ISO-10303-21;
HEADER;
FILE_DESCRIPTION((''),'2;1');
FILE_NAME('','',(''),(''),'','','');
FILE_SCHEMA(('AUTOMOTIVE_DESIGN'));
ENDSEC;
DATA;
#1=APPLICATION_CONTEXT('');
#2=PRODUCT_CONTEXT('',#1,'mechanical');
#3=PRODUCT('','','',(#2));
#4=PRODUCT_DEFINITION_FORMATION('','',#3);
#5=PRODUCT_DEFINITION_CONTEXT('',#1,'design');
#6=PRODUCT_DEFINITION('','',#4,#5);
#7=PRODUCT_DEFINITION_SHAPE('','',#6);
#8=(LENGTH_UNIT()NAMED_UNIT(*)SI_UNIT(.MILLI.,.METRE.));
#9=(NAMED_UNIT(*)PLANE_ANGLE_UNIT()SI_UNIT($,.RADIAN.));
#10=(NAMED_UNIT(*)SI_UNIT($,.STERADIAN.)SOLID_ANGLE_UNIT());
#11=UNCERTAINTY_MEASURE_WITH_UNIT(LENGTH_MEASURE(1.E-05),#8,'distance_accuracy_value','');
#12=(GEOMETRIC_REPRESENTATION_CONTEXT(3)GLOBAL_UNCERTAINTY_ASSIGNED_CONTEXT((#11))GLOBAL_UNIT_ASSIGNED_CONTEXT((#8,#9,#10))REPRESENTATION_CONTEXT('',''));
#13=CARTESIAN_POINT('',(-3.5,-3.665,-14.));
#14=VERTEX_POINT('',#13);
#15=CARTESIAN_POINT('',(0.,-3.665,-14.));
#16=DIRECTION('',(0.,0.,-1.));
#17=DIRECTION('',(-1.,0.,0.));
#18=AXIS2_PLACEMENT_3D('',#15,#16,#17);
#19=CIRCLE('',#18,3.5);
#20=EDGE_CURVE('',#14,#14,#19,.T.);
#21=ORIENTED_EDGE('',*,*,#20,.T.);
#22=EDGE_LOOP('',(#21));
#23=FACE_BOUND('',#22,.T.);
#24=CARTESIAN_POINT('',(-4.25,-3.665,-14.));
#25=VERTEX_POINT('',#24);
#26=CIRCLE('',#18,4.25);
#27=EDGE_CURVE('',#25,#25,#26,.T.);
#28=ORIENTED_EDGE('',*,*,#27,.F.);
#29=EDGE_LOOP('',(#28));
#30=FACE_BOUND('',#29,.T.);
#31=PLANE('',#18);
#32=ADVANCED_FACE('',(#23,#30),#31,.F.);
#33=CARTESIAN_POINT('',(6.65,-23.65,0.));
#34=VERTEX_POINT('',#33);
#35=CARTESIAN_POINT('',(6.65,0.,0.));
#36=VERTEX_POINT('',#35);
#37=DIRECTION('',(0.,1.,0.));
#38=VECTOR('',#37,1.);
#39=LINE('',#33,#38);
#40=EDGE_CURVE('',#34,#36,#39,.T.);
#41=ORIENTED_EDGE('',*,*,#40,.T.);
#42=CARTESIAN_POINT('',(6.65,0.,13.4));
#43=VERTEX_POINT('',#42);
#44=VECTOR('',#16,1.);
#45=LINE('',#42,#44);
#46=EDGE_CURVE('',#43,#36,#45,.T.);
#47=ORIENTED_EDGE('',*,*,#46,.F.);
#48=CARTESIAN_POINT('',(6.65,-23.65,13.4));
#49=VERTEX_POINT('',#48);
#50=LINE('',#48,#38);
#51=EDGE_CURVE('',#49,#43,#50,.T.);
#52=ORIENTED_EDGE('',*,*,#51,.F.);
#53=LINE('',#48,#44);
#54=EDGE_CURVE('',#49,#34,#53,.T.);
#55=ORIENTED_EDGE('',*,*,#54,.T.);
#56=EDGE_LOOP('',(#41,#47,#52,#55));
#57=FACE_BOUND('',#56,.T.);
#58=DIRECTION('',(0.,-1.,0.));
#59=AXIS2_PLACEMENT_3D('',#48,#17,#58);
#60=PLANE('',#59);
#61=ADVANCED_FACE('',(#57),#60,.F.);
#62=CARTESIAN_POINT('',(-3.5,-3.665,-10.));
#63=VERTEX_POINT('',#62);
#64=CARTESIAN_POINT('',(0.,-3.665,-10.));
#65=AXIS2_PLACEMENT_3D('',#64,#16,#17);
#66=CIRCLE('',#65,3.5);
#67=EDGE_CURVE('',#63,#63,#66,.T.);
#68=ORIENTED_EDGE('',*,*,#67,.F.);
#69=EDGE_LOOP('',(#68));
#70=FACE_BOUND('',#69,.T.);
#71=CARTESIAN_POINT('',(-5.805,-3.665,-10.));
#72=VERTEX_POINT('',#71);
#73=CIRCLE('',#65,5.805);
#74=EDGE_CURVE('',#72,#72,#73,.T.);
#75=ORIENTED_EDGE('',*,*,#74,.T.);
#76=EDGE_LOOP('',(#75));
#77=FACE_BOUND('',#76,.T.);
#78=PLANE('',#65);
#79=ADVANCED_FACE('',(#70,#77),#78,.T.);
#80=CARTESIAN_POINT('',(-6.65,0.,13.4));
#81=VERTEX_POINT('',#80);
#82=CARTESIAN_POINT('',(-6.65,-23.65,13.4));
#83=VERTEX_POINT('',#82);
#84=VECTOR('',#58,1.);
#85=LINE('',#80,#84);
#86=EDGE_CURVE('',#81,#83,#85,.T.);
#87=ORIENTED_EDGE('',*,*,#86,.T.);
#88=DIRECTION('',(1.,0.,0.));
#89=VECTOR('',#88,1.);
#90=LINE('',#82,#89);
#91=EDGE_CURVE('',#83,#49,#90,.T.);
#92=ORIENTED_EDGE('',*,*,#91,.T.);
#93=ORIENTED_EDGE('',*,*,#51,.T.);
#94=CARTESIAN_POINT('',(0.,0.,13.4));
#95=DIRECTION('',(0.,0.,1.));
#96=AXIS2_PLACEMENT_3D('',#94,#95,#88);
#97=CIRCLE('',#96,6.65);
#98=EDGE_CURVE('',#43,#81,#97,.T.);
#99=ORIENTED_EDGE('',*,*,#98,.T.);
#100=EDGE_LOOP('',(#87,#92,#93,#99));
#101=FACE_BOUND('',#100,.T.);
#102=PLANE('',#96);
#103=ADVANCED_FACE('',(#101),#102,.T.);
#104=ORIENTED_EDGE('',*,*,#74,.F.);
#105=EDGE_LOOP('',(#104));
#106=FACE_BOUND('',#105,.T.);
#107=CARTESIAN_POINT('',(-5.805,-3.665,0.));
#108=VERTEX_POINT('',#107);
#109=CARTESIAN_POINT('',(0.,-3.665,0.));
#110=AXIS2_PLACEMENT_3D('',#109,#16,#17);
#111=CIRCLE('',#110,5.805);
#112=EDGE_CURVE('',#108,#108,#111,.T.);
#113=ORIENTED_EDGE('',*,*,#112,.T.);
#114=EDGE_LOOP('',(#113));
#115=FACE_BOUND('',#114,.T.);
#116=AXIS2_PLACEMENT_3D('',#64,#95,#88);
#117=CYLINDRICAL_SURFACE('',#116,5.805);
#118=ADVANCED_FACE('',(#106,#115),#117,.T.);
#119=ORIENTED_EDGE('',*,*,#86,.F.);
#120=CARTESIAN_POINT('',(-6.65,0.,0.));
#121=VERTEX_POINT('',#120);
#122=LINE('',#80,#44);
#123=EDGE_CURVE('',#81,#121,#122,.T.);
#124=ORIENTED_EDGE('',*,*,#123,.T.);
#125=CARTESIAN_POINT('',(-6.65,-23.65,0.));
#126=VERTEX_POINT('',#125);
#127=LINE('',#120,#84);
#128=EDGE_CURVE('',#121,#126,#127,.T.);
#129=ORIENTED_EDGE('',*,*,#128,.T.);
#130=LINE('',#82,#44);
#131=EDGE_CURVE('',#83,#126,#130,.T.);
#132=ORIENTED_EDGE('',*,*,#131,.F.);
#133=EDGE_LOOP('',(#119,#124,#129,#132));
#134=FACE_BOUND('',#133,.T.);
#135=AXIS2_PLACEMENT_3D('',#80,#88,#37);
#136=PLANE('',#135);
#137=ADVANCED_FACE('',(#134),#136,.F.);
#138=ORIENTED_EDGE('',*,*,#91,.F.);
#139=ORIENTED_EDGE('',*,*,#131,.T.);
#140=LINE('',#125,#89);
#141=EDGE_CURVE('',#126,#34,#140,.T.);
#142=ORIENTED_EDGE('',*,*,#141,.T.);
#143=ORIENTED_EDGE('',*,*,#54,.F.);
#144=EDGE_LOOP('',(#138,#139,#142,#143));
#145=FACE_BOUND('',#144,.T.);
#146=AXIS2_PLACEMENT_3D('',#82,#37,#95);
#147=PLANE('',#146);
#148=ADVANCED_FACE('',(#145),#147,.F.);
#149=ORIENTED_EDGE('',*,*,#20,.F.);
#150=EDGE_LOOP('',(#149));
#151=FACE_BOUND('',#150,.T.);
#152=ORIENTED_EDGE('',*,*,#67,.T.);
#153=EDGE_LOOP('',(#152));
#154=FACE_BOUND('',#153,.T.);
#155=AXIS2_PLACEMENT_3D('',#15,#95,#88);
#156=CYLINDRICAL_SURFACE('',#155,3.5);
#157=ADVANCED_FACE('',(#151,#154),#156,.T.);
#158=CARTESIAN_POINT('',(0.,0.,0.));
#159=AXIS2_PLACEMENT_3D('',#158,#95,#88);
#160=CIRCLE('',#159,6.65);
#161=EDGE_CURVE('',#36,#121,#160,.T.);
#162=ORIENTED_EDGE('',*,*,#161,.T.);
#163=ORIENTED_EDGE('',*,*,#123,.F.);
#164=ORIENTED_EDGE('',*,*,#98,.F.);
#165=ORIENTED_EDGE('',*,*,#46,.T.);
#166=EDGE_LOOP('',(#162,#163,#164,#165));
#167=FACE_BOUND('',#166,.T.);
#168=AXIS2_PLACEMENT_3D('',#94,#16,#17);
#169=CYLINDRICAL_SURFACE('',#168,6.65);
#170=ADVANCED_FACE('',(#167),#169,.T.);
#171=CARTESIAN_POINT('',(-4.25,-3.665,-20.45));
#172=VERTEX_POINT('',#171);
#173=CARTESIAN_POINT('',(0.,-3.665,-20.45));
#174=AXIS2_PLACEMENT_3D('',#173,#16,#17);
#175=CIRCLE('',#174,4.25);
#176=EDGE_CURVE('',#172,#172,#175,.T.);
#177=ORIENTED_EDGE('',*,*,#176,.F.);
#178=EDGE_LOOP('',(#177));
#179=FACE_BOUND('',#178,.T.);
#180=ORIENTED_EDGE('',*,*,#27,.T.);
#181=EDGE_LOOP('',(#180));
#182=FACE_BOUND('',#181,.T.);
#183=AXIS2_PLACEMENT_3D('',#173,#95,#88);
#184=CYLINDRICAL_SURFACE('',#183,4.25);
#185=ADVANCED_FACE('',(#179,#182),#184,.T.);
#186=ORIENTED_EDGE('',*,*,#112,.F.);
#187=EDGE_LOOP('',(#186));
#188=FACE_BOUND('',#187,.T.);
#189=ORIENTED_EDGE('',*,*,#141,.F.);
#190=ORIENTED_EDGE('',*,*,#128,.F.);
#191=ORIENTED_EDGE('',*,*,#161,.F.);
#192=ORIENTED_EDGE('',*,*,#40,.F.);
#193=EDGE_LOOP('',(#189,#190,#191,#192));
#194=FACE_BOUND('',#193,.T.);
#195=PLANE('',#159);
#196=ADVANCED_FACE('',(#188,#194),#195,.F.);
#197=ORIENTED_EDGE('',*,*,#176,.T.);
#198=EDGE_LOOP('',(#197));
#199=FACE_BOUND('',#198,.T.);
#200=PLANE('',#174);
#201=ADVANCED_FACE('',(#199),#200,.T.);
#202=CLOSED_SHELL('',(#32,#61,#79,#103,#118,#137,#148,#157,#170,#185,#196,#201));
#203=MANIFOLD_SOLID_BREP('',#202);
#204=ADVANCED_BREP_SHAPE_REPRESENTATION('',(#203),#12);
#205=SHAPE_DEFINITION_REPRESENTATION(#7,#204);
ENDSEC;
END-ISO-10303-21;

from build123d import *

# Parameters (mm, degrees)
BOSS_EXTRU_1_DEPTH = 13.4
ESQUISSE2_R        = 5.805
BOSS_EXTRU_2_DEPTH = 10
ESQUISSE3_R        = 3.5
BOSS_EXTRU_3_DEPTH = 4
ESQUISSE4_R        = 4.25
BOSS_EXTRU_4_DEPTH = 6.45


with BuildPart() as part:
    # Esquisse1 → Boss.-Extru.1 (new body)
    with BuildSketch(Plane.XY):
        with BuildLine():
            Line((-6.65, 0), (-6.65, -23.65))
            Line((-6.65, -23.65), (6.65, -23.65))
            Line((6.65, -23.65), (6.65, 0))
            ThreePointArc((6.65, 0), (0, 6.65), (-6.65, 0))
        make_face()
    extrude(amount=BOSS_EXTRU_1_DEPTH)

    # Esquisse2 → Boss.-Extru.2 (add)
    with BuildSketch(Plane(origin=(0, 0, 0), x_dir=(-1, 0, 0), z_dir=(0, 0, -1))):
        with Locations((0, -3.665)):
            Circle(ESQUISSE2_R)
    extrude(amount=BOSS_EXTRU_2_DEPTH)

    # Esquisse3 → Boss.-Extru.3 (add)
    with BuildSketch(Plane(origin=(0, 0, -10), x_dir=(-1, 0, 0), z_dir=(0, 0, -1))):
        with Locations((0, -3.665)):
            Circle(ESQUISSE3_R)
    extrude(amount=BOSS_EXTRU_3_DEPTH)

    # Esquisse4 → Boss.-Extru.4 (add)
    with BuildSketch(Plane(origin=(0, 0, -14), x_dir=(-1, 0, 0), z_dir=(0, 0, -1))):
        with Locations((0, -3.665)):
            Circle(ESQUISSE4_R)
    extrude(amount=BOSS_EXTRU_4_DEPTH)


solid = part.part
